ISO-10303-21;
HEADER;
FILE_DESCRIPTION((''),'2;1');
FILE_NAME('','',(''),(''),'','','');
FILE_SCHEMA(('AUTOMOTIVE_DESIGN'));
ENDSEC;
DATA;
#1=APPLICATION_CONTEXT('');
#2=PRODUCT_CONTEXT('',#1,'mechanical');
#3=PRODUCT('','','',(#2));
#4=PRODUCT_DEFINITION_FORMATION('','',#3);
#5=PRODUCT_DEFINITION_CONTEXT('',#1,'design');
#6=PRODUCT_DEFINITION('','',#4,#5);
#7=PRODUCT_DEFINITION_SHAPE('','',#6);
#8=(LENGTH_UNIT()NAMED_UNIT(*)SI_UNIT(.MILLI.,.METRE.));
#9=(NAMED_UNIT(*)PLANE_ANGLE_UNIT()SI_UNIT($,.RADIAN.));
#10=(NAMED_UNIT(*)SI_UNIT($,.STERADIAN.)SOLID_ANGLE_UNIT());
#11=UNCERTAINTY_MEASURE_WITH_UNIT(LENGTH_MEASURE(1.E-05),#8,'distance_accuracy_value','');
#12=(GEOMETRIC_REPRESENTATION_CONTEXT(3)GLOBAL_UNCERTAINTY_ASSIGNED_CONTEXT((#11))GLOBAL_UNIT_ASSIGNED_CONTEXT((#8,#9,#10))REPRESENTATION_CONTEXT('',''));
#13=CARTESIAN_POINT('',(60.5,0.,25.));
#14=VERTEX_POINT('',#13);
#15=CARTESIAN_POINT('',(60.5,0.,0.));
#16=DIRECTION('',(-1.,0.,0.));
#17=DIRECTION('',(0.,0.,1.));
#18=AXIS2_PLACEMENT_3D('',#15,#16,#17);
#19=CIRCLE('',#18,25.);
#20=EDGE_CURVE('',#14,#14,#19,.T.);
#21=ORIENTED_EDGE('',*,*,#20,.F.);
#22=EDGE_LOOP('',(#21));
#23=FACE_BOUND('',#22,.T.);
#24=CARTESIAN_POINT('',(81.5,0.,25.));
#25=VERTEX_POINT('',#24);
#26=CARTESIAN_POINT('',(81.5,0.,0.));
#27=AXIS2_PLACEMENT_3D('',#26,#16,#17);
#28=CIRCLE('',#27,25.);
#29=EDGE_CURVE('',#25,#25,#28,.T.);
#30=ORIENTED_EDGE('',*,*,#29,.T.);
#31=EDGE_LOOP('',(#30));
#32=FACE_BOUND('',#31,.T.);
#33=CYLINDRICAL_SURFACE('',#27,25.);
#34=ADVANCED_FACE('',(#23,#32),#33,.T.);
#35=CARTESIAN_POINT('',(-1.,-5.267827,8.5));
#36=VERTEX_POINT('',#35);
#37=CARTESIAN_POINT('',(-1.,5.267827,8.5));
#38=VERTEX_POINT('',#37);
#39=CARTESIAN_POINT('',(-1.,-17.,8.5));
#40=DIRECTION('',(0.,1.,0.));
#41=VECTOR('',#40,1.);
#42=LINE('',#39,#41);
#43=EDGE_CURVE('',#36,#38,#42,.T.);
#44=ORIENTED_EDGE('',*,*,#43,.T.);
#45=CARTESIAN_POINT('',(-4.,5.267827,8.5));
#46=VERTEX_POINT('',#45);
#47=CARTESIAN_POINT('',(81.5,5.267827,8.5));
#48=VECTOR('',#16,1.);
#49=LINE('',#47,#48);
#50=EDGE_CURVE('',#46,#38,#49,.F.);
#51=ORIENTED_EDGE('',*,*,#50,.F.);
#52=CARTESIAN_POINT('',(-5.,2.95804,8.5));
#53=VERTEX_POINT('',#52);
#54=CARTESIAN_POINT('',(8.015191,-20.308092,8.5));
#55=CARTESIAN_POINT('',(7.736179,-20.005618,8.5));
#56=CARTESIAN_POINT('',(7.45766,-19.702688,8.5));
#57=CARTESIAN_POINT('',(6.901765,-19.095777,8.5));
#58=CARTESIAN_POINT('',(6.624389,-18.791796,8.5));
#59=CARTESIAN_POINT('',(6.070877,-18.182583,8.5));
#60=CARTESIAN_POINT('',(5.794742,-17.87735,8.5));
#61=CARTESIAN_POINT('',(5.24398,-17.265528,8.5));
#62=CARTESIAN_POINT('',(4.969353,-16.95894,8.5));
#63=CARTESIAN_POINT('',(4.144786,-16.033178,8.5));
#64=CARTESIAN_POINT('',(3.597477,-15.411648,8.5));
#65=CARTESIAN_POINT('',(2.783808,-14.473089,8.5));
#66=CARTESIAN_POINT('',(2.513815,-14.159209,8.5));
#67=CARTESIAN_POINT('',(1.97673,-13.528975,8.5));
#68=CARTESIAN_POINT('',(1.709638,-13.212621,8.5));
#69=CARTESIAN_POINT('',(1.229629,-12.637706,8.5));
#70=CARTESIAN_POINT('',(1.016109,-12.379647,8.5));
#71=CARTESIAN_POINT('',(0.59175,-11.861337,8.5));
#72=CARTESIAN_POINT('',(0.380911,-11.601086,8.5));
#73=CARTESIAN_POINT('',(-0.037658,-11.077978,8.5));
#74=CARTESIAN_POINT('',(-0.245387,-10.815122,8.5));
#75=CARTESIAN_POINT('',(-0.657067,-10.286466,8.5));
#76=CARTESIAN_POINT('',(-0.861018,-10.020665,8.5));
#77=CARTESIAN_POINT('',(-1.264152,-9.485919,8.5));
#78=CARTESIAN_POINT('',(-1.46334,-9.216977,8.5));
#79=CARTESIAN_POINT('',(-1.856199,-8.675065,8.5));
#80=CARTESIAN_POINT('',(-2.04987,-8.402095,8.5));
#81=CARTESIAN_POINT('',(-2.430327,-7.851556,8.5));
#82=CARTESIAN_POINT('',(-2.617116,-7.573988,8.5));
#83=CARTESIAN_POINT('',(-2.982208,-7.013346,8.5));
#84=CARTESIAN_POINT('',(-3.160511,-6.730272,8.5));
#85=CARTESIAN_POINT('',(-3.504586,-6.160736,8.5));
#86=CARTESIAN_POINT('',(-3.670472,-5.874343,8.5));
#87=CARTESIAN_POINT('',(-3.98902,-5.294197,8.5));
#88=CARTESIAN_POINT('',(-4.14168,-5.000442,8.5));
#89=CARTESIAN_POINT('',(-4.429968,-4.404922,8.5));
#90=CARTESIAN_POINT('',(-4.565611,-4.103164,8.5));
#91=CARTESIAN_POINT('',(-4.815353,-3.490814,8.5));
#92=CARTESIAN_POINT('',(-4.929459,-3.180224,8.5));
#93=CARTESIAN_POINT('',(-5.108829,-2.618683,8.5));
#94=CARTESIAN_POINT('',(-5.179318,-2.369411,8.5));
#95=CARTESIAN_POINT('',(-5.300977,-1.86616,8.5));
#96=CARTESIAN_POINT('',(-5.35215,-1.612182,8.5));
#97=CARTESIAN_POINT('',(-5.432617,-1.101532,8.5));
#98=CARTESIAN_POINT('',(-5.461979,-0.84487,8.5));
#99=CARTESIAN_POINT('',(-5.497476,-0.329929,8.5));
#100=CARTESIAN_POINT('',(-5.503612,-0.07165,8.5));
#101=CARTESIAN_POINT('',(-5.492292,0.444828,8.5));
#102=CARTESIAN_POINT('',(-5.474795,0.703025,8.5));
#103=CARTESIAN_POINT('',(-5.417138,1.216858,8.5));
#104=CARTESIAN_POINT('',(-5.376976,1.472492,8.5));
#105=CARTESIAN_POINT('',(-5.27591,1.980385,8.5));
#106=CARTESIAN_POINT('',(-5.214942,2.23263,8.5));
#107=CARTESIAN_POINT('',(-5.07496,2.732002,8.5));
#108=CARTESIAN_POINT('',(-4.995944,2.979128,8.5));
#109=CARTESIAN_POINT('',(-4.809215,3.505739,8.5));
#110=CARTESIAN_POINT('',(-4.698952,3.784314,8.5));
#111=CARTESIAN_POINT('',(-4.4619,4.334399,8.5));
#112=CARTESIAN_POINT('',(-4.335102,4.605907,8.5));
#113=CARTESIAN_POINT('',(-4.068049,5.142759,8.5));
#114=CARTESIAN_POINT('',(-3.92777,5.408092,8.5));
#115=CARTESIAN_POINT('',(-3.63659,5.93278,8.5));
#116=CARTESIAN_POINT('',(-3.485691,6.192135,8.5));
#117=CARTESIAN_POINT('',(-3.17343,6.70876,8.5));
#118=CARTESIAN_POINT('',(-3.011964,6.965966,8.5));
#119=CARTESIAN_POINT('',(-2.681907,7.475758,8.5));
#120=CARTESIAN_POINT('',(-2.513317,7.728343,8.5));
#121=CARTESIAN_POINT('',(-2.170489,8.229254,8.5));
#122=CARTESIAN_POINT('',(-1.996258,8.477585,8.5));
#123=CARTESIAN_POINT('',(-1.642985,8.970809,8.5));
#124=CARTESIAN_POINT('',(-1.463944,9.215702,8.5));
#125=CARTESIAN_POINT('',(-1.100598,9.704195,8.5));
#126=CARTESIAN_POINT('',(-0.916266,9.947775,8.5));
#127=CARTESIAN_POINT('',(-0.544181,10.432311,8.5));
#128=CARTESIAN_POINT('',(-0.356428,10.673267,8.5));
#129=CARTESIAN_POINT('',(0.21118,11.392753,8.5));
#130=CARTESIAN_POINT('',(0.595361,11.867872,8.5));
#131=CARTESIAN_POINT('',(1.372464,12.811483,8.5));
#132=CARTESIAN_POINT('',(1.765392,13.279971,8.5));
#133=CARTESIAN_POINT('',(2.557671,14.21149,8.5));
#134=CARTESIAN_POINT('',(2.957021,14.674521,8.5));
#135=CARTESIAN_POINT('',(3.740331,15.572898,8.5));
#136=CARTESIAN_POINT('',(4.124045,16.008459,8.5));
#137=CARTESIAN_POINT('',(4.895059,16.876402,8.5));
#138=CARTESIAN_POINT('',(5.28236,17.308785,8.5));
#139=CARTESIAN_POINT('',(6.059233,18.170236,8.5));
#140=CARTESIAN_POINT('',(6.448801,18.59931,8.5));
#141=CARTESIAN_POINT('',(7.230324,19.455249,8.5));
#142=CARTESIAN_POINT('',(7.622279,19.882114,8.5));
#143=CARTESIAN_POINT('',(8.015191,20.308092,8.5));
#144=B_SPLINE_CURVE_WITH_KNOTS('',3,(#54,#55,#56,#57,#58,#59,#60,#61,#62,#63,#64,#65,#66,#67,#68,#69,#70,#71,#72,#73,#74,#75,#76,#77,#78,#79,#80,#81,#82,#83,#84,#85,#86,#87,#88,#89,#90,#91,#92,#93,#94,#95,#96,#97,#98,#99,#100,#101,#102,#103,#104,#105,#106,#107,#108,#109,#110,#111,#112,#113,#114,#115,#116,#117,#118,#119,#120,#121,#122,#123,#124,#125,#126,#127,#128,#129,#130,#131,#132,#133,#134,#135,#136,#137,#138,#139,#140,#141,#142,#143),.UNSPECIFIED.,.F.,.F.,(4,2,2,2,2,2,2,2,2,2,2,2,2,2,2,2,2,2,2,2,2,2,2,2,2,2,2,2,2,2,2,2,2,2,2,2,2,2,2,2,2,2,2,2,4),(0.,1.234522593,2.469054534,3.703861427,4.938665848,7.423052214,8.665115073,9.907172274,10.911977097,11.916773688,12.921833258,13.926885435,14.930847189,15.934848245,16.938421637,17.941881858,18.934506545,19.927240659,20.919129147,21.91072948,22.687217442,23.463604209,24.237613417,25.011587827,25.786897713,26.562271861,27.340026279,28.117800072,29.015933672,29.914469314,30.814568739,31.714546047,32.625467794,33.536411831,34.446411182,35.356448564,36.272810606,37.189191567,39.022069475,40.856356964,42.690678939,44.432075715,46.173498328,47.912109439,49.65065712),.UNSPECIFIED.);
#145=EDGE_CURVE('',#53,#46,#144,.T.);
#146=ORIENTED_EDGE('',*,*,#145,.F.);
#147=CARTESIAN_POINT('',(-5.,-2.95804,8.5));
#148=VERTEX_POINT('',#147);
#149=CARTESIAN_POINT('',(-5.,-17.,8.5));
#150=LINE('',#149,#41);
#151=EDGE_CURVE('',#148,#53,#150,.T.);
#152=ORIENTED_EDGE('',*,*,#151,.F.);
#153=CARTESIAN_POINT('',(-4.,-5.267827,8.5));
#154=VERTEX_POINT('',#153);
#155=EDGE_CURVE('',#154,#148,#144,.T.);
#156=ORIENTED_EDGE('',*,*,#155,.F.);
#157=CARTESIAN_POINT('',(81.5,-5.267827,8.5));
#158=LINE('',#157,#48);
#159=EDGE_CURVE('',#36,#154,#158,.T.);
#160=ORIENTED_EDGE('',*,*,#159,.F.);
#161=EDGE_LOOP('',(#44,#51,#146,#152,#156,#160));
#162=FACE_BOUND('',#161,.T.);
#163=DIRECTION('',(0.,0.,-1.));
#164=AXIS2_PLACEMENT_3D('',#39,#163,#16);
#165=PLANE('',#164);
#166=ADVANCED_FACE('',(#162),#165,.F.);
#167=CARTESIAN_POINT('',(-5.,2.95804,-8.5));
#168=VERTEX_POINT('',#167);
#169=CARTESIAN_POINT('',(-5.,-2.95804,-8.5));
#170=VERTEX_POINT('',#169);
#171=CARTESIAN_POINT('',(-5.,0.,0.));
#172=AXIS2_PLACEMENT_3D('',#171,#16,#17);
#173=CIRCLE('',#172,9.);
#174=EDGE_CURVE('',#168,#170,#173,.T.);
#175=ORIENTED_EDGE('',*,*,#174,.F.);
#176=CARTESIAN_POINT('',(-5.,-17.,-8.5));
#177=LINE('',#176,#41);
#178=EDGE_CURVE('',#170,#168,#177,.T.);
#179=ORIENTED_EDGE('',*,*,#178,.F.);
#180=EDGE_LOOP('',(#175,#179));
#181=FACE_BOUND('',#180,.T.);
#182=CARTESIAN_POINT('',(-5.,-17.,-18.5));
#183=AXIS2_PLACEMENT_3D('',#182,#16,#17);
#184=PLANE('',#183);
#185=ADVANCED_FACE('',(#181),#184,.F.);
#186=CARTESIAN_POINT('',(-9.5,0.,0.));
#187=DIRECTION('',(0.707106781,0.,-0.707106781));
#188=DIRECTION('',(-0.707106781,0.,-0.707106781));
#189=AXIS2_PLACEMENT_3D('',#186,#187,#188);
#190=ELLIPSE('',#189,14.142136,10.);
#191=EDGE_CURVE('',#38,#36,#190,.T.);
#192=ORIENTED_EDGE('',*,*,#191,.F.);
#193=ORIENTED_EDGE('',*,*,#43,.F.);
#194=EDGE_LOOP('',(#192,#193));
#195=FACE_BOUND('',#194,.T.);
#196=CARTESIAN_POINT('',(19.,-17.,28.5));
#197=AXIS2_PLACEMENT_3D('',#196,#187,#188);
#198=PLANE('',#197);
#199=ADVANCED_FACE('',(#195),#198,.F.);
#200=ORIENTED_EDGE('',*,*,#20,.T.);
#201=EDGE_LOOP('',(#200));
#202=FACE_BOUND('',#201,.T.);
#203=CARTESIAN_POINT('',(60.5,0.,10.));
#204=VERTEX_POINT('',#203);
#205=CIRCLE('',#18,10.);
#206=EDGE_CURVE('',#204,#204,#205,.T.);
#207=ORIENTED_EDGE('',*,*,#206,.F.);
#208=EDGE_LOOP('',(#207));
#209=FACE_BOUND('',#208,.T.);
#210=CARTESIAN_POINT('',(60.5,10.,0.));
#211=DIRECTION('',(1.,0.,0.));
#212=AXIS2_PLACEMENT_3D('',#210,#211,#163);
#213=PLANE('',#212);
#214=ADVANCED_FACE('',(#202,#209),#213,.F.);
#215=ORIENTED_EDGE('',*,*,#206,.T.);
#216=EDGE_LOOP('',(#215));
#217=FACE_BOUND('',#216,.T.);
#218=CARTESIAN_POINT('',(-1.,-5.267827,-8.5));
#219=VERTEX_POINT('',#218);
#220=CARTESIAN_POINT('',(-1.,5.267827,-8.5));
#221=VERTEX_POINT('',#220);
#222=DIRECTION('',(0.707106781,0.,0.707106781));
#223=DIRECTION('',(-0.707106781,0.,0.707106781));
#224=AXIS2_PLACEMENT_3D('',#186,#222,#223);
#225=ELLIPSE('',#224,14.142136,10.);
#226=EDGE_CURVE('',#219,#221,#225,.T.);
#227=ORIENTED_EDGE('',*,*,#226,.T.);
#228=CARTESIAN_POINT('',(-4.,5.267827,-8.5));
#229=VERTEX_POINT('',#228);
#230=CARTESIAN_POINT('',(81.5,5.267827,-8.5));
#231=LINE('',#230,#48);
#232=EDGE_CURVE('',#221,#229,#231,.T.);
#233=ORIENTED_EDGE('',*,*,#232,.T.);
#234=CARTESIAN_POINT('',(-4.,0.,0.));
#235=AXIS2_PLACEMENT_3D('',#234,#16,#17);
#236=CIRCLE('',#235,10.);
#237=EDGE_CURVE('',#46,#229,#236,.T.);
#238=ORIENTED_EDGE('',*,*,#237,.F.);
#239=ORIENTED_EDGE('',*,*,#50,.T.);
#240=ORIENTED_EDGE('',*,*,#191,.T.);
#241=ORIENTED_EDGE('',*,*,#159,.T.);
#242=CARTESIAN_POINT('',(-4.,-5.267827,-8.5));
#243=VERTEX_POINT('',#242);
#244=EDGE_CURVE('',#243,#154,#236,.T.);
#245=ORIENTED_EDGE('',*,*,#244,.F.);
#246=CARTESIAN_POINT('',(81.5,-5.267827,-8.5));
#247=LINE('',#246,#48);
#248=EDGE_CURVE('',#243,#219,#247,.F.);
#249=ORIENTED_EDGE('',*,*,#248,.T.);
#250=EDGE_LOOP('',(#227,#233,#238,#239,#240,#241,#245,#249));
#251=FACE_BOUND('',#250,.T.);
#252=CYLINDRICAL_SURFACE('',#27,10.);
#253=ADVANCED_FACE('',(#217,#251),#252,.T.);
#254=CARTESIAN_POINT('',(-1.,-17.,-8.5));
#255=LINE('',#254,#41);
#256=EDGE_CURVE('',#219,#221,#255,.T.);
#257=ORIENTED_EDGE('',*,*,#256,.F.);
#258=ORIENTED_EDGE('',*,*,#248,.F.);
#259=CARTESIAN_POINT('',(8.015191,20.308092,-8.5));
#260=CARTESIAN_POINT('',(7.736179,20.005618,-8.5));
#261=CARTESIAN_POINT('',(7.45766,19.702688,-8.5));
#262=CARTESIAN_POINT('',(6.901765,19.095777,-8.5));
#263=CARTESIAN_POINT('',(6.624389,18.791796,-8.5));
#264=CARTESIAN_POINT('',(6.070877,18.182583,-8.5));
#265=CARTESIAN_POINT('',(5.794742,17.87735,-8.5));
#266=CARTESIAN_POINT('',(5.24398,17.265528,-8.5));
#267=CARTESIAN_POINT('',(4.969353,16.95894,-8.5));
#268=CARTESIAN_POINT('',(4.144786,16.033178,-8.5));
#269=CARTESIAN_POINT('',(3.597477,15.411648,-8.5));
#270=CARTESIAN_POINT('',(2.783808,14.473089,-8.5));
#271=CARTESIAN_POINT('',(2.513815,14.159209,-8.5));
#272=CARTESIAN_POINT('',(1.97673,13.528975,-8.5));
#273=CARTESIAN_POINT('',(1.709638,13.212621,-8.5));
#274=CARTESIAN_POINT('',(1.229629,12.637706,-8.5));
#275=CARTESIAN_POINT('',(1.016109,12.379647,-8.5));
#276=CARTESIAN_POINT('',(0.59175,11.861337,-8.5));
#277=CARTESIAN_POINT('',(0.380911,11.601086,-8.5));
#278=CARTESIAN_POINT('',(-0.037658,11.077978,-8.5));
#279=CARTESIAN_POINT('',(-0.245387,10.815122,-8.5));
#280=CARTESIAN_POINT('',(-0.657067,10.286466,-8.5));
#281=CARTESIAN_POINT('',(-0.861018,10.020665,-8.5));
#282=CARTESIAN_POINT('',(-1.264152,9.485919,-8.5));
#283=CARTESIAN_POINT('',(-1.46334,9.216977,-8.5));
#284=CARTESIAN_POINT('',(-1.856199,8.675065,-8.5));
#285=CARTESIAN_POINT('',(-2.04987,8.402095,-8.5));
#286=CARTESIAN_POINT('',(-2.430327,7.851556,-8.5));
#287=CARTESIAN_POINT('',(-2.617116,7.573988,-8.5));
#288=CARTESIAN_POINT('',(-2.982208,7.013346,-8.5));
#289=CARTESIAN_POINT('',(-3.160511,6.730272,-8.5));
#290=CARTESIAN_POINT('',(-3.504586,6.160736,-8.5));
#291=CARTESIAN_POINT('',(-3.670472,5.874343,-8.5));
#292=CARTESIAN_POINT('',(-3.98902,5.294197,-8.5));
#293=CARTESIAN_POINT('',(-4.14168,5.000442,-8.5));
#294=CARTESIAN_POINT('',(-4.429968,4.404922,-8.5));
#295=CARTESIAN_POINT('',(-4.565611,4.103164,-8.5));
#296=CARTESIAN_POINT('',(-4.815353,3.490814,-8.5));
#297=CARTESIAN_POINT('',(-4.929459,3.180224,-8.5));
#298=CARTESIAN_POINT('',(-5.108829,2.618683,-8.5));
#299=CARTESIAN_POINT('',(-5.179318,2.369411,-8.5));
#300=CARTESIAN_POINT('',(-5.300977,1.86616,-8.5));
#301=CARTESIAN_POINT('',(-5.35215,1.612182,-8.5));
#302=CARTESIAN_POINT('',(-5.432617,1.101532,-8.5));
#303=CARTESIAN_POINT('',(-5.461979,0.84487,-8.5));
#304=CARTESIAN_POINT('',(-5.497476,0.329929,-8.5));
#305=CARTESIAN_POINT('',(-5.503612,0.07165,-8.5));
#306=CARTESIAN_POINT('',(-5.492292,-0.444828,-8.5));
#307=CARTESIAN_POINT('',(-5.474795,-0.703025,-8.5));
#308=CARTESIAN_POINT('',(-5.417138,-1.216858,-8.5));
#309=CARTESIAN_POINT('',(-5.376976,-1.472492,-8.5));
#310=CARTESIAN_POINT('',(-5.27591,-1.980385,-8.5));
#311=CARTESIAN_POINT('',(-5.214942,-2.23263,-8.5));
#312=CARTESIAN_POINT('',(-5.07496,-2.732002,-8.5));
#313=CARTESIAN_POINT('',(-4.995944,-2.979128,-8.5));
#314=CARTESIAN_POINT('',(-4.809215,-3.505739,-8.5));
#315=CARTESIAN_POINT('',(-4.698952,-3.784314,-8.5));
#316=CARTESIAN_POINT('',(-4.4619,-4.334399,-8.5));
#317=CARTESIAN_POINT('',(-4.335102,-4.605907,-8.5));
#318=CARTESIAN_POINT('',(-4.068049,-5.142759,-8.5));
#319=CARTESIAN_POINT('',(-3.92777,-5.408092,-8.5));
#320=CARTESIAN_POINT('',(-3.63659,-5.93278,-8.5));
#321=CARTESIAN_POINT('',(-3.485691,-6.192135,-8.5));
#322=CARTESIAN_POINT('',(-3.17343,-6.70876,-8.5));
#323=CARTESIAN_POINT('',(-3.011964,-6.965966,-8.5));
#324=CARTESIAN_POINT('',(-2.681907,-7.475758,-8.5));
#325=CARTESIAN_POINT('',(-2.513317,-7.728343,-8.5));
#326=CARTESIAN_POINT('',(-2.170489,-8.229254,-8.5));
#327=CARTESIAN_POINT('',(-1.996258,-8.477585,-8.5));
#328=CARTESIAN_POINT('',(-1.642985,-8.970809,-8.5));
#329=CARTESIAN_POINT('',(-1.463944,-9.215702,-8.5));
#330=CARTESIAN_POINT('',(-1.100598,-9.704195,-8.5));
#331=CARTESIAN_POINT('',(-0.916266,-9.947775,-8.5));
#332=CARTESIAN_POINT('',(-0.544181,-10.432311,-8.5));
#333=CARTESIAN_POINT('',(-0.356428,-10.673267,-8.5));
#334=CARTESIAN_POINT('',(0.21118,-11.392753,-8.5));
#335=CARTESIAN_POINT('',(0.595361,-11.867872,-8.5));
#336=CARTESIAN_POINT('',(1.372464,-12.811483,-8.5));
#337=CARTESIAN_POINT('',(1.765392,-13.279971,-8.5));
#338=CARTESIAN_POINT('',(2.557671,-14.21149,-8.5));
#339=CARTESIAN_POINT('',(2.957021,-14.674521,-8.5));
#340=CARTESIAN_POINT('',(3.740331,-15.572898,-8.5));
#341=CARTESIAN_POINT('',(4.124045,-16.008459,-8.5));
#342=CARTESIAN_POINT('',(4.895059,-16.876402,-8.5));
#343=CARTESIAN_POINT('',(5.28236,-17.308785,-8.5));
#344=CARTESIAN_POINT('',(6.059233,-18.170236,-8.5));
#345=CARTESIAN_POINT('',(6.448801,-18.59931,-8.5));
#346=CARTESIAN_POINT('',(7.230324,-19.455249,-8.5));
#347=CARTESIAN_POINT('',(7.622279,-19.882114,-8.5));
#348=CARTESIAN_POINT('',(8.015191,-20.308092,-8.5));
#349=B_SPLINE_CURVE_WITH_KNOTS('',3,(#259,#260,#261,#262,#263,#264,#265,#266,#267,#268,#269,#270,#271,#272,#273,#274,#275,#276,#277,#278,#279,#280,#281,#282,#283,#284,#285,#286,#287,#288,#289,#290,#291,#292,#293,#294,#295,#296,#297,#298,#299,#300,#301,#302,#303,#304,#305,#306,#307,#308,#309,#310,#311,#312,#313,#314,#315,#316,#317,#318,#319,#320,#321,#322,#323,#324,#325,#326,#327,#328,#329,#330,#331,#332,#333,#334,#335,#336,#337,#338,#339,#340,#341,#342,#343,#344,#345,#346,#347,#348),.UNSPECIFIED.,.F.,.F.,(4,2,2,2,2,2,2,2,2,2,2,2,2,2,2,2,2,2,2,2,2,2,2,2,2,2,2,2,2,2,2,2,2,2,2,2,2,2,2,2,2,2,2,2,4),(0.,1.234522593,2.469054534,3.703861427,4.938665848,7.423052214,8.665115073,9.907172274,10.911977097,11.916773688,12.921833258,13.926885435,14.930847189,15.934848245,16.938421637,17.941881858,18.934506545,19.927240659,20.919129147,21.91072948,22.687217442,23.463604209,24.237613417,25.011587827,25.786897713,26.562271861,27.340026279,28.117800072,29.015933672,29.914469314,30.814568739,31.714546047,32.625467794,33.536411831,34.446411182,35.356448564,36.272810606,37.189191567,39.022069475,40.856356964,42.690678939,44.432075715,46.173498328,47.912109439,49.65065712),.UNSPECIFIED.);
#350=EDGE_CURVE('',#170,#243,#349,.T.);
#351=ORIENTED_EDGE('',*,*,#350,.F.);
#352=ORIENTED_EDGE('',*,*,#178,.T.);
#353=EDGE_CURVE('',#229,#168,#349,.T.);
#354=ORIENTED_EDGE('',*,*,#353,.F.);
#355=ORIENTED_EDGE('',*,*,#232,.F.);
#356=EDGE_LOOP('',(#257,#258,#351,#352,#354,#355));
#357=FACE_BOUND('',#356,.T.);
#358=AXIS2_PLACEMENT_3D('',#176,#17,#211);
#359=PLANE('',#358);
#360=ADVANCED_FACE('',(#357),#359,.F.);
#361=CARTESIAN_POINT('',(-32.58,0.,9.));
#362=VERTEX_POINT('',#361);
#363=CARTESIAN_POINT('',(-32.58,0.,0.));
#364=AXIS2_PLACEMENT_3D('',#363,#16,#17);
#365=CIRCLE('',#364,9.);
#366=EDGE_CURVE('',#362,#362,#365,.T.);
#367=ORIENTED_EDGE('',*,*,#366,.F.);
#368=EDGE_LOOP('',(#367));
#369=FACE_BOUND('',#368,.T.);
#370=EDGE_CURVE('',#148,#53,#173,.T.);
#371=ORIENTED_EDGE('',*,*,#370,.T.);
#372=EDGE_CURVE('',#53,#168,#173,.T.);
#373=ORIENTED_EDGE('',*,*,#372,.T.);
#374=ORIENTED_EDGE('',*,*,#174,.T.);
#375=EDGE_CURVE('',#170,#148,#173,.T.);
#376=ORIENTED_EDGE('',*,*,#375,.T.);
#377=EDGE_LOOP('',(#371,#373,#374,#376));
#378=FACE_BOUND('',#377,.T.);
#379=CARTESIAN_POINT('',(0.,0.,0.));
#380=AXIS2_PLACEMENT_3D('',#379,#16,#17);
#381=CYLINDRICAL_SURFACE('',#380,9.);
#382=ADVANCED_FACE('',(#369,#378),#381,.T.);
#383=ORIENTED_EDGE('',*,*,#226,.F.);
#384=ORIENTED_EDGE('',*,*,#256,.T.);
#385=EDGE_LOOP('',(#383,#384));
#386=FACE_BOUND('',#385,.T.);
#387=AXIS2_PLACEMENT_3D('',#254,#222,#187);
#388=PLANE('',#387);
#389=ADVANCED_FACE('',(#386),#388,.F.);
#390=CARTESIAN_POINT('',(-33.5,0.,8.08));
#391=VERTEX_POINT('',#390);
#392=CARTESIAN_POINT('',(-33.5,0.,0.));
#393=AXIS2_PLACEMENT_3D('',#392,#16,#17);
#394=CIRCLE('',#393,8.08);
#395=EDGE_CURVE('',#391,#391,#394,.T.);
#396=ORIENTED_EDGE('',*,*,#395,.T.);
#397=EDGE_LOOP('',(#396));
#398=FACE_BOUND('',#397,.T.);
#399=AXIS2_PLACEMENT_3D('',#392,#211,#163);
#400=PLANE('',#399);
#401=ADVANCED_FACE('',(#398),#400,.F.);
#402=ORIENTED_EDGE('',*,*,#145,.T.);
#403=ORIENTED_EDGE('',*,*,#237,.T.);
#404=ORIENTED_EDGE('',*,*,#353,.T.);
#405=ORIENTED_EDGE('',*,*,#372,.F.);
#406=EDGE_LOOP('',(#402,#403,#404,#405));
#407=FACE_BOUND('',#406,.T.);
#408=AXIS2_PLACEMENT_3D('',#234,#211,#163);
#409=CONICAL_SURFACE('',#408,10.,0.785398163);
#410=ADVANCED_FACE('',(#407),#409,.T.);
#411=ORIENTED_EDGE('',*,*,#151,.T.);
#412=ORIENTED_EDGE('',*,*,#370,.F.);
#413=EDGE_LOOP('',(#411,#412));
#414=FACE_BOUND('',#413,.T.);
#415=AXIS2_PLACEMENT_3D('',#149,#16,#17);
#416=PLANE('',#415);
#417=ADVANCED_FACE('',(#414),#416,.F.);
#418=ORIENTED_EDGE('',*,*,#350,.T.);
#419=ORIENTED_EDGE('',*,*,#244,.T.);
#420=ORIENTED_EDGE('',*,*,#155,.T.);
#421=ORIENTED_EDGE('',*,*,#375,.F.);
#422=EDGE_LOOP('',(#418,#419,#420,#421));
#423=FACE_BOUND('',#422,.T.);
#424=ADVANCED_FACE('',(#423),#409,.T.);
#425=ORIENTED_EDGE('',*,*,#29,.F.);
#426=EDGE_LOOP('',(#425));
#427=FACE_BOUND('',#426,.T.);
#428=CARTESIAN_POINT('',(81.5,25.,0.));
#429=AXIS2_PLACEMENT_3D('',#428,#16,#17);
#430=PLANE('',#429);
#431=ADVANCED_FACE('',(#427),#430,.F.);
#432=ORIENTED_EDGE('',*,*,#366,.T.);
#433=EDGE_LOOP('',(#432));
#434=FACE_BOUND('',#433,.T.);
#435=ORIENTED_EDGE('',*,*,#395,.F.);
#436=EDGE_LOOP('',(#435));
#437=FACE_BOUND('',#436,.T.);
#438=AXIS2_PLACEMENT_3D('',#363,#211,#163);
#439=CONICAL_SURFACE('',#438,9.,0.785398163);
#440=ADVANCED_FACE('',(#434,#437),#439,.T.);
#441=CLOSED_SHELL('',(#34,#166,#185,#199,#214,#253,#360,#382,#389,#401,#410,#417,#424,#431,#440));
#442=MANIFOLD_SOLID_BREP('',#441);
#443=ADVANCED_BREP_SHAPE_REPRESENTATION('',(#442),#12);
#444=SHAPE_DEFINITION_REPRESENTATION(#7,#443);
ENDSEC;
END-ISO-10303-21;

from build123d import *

# Parameters (mm, degrees)
CUT_EXTRUDE_1_DEPTH      = 17
CUT_EXTRUDE_1_DEPTH_BACK = 17


with BuildPart() as part:
    # 草图1 → 旋转1 (revolve)
    with BuildSketch(Plane.XY):
        Polygon((0, 0), (0, 10), (60.5, 10), (60.5, 25), (81.5, 25), (81.5, 0), align=None)
    revolve(axis=Axis((81.5, 0, 0), (-1, 0, 0)))

    # 草图2 → 旋转2 (revolve)
    with BuildSketch(Plane.XY):
        Polygon((-33.5, 0), (-33.5, 8.08), (-32.58, 9), (-5, 9), (-4, 10), (0, 10), (0, 0), align=None)
    revolve(axis=Axis((0, 0, 0), (-1, 0, 0)))

    # 草图3 → 切除-拉伸1 (cut, two sides: drawn at the far end of the back side and taken through both)
    with BuildSketch(Plane(origin=(0, 0, 0), x_dir=(1, 0, 0), z_dir=(0, 1, 0)).offset(-CUT_EXTRUDE_1_DEPTH_BACK)):
        Polygon((-43.5, -28.5), (19, -28.5), (-1, -8.5), (-5, -8.5), (-5, -18.5), (-33.5, -18.5), (-33.5, 18.5), (-5, 18.5), (-5, 8.5), (-1, 8.5), (19, 28.5), (-43.5, 28.5), align=None)
    extrude(amount=CUT_EXTRUDE_1_DEPTH + CUT_EXTRUDE_1_DEPTH_BACK, mode=Mode.SUBTRACT)


solid = part.part
